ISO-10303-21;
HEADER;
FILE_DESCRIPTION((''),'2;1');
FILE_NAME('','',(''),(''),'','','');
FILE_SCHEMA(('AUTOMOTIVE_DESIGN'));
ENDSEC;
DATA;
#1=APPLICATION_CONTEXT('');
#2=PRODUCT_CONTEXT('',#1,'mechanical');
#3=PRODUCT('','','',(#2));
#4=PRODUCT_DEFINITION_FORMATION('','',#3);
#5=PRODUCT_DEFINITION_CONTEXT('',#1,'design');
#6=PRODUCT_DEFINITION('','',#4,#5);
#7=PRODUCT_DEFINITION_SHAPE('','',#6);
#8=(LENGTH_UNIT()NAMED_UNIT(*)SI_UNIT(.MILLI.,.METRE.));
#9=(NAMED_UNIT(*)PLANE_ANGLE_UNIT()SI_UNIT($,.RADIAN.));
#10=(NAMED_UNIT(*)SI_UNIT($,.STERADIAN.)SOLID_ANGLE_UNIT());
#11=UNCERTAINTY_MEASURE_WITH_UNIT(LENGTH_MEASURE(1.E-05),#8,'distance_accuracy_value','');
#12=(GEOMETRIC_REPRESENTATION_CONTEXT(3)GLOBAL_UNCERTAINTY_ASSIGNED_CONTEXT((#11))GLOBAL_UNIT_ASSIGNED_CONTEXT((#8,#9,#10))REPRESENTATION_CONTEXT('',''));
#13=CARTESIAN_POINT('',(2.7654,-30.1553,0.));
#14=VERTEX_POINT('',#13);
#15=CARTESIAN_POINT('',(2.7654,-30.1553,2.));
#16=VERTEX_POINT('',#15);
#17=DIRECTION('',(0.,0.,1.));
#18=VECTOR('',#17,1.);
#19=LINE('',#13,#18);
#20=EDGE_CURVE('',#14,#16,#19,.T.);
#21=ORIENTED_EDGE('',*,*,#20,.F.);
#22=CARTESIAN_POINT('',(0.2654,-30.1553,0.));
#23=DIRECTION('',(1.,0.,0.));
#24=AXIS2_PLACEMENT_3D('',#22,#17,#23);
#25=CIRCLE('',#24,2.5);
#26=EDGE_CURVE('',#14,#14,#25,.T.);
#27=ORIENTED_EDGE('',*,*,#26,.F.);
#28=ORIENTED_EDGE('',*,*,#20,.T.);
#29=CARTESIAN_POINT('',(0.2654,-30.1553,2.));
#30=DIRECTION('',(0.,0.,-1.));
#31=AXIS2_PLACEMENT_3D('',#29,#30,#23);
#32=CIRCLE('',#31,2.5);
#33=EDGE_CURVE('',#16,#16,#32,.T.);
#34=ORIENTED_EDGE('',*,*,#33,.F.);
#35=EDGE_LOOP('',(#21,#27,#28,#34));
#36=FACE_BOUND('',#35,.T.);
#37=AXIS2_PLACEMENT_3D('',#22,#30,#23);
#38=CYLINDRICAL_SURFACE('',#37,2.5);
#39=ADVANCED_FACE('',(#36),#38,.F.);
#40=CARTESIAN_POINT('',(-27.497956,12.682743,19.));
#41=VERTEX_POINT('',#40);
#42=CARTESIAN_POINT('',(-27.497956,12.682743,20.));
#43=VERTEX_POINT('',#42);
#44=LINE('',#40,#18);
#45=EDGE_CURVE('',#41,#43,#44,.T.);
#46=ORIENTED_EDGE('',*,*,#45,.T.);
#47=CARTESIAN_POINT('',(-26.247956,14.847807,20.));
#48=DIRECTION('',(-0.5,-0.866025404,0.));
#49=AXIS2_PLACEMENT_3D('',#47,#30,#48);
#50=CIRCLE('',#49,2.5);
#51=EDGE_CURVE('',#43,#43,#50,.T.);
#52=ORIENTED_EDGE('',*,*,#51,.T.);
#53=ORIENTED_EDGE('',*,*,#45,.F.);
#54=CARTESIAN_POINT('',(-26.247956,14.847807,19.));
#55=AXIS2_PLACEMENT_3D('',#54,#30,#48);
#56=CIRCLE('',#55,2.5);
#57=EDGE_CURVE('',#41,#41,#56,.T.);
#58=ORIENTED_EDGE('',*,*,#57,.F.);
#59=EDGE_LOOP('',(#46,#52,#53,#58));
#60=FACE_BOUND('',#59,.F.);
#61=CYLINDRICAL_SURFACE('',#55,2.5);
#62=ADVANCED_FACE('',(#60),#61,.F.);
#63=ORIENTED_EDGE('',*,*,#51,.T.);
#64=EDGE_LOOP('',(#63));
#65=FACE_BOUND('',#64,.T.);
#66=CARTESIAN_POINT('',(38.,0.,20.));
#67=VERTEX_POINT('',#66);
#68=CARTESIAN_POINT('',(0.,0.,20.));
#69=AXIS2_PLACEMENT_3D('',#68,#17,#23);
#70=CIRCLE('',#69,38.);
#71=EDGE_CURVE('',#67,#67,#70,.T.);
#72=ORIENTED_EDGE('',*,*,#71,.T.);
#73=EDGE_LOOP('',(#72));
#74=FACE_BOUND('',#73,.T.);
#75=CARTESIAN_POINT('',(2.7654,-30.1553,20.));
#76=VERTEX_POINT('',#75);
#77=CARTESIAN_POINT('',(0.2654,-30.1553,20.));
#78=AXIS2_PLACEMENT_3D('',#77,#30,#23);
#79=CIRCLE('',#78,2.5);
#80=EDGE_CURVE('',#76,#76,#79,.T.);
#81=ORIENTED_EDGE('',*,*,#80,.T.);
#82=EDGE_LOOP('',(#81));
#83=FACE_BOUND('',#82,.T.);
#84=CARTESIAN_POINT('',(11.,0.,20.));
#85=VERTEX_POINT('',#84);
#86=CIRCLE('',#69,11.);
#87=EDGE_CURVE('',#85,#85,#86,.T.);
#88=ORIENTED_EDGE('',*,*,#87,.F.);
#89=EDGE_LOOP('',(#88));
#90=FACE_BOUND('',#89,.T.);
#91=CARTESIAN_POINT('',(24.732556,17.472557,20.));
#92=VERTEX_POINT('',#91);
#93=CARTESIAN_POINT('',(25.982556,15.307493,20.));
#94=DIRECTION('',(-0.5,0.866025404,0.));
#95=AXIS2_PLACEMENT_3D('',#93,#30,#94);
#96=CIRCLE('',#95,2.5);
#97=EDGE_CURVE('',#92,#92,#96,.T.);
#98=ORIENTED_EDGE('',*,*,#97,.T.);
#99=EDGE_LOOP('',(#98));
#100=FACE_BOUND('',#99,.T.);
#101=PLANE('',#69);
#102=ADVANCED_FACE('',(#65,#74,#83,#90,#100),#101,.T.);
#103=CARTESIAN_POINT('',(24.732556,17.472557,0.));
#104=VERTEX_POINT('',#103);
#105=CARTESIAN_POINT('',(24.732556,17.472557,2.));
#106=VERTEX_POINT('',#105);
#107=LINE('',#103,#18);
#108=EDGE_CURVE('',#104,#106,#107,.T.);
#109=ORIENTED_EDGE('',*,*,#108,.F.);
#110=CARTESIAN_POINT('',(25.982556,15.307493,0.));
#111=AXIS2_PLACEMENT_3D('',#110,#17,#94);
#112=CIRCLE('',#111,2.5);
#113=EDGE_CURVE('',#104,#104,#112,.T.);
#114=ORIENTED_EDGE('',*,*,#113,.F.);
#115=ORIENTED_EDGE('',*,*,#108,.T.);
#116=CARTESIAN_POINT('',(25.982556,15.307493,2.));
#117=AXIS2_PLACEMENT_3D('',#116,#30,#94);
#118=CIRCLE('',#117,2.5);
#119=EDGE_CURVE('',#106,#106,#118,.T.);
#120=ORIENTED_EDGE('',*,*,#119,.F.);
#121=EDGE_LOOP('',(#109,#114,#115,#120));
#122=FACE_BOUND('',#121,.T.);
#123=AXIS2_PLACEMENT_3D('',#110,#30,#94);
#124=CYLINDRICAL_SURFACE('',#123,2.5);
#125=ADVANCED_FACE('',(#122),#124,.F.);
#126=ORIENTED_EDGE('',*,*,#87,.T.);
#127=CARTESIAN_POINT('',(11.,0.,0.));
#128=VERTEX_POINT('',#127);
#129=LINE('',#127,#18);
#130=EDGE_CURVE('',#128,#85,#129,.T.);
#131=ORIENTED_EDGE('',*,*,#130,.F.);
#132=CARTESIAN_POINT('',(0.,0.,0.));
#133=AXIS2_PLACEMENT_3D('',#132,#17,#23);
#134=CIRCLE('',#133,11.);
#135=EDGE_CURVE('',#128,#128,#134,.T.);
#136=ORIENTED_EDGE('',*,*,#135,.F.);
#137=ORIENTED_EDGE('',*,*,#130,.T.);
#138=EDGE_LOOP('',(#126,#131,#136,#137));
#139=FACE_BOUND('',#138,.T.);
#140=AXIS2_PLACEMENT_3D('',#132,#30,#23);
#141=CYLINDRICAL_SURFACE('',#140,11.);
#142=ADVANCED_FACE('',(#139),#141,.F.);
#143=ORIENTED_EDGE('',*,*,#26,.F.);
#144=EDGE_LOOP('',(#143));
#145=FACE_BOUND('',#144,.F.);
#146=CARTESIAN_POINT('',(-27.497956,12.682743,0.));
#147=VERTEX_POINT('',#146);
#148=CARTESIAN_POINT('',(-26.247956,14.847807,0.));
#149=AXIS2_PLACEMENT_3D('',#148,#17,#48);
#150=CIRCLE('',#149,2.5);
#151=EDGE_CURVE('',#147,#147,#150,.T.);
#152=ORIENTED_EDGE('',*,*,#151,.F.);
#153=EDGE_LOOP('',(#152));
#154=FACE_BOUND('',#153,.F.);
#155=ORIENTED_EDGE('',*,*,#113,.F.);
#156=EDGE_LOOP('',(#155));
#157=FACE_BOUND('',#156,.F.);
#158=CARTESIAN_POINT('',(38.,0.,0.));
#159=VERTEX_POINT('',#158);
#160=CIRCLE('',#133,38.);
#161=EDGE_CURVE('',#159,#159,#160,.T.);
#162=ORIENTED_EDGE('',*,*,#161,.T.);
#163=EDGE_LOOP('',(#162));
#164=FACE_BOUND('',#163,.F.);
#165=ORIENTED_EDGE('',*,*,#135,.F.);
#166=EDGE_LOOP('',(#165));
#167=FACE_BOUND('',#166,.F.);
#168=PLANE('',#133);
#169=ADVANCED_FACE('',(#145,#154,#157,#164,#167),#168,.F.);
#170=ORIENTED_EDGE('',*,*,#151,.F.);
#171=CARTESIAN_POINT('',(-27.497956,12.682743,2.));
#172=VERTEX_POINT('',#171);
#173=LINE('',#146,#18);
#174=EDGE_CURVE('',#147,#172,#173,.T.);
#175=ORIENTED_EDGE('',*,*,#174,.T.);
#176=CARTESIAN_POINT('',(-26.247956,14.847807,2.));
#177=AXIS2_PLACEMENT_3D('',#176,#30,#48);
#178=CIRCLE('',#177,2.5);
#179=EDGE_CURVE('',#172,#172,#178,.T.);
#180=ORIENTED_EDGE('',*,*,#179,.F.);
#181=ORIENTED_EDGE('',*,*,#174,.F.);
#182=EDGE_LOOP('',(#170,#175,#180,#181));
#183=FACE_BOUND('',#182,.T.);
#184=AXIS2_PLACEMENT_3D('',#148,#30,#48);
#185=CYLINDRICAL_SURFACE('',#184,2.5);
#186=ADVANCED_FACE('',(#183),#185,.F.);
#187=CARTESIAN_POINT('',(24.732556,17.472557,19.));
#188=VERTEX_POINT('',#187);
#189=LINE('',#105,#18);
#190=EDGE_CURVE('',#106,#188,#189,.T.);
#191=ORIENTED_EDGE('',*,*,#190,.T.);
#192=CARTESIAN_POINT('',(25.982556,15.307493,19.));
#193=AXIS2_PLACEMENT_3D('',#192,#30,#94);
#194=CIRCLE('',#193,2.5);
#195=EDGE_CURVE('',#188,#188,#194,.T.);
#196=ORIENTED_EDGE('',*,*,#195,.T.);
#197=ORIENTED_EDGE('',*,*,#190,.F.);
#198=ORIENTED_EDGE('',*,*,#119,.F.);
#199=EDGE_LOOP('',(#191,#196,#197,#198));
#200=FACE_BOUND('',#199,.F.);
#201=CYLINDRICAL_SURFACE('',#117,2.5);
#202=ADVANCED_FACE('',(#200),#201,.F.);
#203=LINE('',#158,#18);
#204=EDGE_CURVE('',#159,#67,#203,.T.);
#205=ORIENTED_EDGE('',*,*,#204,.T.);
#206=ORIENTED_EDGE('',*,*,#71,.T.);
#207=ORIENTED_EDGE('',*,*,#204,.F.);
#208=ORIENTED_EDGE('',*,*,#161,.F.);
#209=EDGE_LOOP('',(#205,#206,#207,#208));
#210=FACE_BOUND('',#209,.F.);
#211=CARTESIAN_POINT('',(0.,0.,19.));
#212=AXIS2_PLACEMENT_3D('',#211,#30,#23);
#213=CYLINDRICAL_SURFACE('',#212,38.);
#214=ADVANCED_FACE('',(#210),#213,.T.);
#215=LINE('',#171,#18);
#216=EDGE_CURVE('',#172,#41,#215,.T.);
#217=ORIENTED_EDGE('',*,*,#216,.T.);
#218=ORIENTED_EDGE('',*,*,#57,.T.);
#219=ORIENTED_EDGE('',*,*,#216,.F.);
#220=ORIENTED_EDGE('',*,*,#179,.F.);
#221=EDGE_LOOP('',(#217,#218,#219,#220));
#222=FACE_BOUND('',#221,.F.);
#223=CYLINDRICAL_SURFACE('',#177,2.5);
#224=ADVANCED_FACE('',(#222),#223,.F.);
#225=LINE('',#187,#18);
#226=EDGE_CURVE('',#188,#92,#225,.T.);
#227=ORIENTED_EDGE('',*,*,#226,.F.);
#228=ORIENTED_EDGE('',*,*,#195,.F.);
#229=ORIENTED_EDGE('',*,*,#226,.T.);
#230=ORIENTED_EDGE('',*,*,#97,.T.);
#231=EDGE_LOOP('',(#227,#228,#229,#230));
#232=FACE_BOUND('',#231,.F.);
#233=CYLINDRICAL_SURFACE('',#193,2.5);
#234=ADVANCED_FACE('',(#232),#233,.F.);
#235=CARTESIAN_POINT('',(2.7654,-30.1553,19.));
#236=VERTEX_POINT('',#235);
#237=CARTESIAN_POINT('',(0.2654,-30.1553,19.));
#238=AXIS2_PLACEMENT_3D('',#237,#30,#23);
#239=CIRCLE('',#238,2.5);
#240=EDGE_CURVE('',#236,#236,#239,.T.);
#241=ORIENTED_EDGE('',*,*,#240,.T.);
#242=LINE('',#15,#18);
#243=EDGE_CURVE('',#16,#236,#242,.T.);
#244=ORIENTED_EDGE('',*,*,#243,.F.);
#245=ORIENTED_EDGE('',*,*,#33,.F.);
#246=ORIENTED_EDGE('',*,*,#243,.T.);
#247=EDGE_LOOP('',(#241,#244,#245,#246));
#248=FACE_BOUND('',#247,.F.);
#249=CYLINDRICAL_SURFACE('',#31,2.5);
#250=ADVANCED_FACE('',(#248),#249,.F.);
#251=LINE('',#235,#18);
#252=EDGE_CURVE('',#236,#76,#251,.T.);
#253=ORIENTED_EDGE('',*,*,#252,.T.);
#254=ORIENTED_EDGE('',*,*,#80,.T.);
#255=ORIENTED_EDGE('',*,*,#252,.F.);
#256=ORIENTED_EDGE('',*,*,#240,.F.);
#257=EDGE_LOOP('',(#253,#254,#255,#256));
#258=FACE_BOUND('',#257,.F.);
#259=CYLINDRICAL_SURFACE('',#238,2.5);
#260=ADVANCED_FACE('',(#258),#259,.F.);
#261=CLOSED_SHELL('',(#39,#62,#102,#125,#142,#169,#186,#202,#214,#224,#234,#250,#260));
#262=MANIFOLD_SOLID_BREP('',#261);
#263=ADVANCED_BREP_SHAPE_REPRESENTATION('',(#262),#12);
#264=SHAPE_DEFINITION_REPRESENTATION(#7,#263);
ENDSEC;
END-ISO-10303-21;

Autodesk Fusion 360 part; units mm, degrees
sketch "Sketch1" plane through (0, 0, 0) normal (0, 0, 1) x (1, 0, 0)
  circle A0 centre (0, 0) radius 11
  circle A1 centre (0, 0) radius 22.5
  circle A2 centre (0, 0) radius 38
  dimension "d1" = 45
  dimension "d2" = 22
  dimension "d3" = 76
extrude "Extrude1" add sketch "Sketch1" along normal blind 20 contours A1
sketch "Sketch2" plane through (0, 0, 0) normal (0, 0, 1) x (1, 0, 0)
  circle A0 centre (0.2654, -30.1553) radius 2.5
  dimension "d8" = 5
extrude "Extrude4" add sketch "Sketch1" along normal blind 2 contours A1 | A2
extrude "Extrude5" cut sketch "Sketch2" along normal blind 6.312
pattern_circular "C-Pattern2" count 3 over 360 about axis through (0, 0, 2) along (0, 0, 1) of "Extrude5"
extrude "돌출6" add 1 faces at (-20.8034, 21.3677, 2) along direction (0, 0, 1) blind 20
extrude "돌출7" cut 1 faces at (-20.8034, 21.3677, 22) along direction (0, 0, -1) blind 3
extrude "돌출8" add 1 faces at (-20.8034, 21.3677, 19) along direction (0, 0, 1) blind 1
